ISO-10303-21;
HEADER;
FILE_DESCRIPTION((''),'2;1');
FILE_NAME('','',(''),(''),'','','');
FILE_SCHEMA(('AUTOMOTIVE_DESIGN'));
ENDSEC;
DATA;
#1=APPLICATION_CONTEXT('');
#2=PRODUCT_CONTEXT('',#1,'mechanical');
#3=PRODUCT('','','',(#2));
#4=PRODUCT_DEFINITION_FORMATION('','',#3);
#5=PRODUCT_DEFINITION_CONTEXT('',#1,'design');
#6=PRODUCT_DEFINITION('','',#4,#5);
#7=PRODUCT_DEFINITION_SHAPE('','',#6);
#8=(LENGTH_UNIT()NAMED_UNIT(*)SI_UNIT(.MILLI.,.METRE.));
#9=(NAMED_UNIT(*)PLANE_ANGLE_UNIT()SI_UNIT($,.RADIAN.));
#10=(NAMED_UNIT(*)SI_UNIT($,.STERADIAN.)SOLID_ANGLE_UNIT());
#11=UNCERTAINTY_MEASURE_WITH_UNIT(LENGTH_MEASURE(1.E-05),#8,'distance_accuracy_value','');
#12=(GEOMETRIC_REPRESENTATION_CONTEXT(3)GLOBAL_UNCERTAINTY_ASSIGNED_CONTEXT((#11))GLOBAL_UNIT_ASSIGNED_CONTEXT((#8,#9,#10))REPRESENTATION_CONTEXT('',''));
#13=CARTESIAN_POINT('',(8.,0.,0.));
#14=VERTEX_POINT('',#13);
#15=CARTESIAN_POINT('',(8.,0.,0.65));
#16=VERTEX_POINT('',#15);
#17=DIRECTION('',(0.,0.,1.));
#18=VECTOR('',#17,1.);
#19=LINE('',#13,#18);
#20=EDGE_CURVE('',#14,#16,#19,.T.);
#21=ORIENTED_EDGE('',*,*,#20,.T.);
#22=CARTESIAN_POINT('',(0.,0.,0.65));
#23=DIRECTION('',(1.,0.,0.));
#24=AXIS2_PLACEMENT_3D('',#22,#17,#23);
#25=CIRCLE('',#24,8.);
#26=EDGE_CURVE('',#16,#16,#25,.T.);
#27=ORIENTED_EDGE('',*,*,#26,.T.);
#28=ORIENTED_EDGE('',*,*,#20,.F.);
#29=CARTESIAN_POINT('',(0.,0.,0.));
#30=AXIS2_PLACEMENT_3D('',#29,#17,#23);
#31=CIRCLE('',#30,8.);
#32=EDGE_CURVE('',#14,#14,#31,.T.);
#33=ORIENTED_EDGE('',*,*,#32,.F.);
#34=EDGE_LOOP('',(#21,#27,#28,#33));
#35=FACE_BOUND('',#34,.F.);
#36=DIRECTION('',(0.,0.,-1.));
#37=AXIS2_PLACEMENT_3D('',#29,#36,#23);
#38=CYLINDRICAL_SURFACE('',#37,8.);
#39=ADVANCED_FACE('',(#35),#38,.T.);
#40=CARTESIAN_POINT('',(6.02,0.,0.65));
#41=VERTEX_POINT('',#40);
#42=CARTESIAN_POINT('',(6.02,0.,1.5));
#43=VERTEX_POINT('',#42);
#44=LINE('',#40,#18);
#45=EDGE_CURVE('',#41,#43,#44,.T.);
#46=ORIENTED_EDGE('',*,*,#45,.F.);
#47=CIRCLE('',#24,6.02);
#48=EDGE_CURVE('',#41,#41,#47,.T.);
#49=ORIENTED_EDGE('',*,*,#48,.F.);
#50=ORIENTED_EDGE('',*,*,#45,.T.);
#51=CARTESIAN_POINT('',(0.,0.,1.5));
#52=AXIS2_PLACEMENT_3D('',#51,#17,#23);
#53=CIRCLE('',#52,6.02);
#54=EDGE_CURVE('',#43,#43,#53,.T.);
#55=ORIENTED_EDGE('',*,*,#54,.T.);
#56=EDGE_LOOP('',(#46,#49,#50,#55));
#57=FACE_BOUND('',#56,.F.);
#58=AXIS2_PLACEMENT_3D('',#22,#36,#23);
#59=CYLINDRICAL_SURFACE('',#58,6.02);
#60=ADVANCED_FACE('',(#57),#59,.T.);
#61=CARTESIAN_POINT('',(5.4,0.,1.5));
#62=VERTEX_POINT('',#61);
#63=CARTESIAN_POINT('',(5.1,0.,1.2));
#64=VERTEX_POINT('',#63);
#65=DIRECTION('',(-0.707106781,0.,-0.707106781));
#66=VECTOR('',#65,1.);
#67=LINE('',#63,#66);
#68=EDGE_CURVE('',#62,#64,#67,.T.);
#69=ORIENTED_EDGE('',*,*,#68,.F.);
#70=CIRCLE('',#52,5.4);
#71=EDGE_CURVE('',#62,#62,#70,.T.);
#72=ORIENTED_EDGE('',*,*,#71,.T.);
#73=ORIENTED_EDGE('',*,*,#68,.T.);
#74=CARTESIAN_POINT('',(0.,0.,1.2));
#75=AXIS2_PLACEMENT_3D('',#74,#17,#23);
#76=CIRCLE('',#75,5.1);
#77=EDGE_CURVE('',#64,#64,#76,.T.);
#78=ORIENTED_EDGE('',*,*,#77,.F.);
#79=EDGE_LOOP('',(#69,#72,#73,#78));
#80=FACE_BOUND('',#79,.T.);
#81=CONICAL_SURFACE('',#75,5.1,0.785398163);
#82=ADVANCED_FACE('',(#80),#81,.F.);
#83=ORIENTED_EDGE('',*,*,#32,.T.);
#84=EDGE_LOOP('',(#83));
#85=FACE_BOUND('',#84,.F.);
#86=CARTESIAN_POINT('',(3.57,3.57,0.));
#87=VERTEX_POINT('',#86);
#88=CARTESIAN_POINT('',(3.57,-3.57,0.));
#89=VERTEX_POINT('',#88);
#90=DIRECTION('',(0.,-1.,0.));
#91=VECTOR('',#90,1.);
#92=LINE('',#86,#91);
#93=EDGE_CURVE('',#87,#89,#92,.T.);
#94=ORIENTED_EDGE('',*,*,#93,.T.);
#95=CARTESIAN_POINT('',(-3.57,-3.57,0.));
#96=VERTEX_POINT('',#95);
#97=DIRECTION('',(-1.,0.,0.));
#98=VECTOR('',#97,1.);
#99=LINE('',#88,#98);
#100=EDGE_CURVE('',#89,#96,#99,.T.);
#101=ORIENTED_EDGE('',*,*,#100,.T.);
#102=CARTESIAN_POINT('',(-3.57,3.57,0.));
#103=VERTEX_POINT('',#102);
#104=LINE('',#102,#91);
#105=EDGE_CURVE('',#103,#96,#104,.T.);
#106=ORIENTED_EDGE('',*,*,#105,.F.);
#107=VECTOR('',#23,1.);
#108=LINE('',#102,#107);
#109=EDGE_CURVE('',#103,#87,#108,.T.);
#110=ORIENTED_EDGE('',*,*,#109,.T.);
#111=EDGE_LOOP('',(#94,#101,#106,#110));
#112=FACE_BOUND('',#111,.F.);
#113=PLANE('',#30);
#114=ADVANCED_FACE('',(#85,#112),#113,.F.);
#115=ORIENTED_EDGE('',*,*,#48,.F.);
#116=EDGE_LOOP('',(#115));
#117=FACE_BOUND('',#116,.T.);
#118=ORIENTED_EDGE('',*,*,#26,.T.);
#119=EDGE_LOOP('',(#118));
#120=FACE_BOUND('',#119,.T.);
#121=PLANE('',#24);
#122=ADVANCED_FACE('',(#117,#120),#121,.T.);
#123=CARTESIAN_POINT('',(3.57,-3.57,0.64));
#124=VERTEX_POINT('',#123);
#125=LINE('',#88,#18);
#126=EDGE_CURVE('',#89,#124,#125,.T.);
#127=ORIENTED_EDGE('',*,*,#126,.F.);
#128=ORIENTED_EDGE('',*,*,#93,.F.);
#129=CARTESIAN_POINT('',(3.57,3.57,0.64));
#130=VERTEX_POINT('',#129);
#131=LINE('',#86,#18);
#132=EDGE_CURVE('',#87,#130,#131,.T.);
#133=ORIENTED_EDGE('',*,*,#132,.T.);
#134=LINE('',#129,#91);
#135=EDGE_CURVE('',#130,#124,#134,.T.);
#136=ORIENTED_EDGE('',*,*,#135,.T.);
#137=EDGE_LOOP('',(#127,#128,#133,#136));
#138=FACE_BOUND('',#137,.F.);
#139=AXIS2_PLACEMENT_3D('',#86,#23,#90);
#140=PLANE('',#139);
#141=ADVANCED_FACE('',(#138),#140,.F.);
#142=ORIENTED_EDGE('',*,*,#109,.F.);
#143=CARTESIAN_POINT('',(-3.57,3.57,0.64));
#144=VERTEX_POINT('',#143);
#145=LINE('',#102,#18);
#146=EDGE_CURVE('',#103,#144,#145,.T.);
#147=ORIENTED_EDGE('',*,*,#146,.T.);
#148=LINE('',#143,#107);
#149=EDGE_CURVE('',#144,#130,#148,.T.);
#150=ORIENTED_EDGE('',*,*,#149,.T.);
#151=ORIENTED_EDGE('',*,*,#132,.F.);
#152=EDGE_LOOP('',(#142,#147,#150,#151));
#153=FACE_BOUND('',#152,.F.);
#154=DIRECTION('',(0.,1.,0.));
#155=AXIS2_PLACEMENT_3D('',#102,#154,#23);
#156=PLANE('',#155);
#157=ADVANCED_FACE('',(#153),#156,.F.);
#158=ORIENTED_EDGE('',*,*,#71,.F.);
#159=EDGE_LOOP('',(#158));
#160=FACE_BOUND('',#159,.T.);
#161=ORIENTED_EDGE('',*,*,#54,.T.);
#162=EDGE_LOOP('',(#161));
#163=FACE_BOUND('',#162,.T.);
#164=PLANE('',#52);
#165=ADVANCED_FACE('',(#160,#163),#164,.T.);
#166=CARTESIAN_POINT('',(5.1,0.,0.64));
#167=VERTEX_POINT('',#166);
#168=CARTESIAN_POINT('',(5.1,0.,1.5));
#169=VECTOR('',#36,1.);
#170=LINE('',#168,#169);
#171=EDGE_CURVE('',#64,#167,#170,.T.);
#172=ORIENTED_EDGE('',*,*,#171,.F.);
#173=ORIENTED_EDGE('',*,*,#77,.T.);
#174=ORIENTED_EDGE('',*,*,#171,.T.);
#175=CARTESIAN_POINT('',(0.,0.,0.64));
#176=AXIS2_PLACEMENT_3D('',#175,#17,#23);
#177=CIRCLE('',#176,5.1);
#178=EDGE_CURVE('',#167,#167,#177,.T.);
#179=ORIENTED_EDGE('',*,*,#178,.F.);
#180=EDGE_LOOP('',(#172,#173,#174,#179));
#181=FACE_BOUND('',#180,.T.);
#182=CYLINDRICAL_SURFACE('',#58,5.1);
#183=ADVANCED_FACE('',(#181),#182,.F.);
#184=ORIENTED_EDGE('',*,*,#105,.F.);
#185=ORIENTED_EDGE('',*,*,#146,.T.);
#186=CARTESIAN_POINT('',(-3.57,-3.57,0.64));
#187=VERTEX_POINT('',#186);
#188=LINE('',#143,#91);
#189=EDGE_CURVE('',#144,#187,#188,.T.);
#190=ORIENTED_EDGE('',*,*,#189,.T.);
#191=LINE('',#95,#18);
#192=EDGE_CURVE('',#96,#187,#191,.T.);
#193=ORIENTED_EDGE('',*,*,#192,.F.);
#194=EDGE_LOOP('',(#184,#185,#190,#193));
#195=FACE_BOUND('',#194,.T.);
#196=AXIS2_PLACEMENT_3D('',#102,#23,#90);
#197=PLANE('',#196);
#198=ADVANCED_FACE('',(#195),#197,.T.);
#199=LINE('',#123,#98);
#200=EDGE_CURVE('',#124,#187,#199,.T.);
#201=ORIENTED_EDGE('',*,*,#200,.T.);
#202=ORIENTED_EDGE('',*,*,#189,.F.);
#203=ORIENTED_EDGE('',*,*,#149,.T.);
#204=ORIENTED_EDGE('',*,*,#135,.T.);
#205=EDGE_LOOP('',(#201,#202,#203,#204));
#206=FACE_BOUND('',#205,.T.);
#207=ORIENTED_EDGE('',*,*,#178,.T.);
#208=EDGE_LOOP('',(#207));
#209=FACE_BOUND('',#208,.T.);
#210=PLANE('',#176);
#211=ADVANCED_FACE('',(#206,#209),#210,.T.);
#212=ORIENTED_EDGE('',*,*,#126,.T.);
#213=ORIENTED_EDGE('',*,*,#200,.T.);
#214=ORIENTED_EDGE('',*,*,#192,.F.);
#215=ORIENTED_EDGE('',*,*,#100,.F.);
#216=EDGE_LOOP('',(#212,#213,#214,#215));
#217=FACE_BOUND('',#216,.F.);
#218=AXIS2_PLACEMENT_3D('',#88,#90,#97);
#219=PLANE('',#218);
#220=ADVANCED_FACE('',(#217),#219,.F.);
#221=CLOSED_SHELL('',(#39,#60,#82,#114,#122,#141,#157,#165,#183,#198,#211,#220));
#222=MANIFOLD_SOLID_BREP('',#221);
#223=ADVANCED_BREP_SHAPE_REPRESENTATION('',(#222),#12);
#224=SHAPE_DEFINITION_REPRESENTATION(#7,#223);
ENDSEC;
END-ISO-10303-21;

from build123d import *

# Parameters (mm, degrees)
SKETCH_1_R          = 8
EXTRUDE_1_DEPTH     = 0.65
EXTRUDE_START       = 0.65
SKETCH_2_R          = 6.02
SKETCH_2_R_2        = 5.1
EXTRUDE_2_DEPTH     = 0.85
CUT_EXTRUDE_START   = 0.65
SKETCH_3_R          = 5.1
CUT_EXTRUDE_1_DEPTH = 0.01
CUT_EXTRUDE_2_DEPTH = 0.64
CHAMFER_1_SIZE      = 0.3


with BuildPart() as part:
    # 草图1 → 凸台-拉伸1 (new body)
    with BuildSketch(Plane.XY):
        Circle(SKETCH_1_R)
    extrude(amount=EXTRUDE_1_DEPTH)

    # 草图2 → 凸台-拉伸2 (add)
    with BuildSketch(Plane.XY.offset(EXTRUDE_START)):
        Circle(SKETCH_2_R)
        Circle(SKETCH_2_R_2, mode=Mode.SUBTRACT)
    extrude(amount=EXTRUDE_2_DEPTH)

    # 草图3 → 切除-拉伸1 (cut)
    with BuildSketch(Plane.XY.offset(CUT_EXTRUDE_START)):
        Circle(SKETCH_3_R)
    extrude(amount=-CUT_EXTRUDE_1_DEPTH, mode=Mode.SUBTRACT)

    # 草图4 → 切除-拉伸2 (cut)
    with BuildSketch(Plane.XY):
        Polygon((-3.57, 3.57), (3.57, 3.57), (3.57, -3.57), (-3.57, -3.57), (-3.57, 0), align=None)
    extrude(amount=CUT_EXTRUDE_2_DEPTH, mode=Mode.SUBTRACT)

    # 倒角1
    chamfer_1_edges = [part.edges().sort_by_distance(p)[0] for p in [
        (-5.1, 0, 1.5),
    ]]
    chamfer(chamfer_1_edges, length=CHAMFER_1_SIZE)


solid = part.part
